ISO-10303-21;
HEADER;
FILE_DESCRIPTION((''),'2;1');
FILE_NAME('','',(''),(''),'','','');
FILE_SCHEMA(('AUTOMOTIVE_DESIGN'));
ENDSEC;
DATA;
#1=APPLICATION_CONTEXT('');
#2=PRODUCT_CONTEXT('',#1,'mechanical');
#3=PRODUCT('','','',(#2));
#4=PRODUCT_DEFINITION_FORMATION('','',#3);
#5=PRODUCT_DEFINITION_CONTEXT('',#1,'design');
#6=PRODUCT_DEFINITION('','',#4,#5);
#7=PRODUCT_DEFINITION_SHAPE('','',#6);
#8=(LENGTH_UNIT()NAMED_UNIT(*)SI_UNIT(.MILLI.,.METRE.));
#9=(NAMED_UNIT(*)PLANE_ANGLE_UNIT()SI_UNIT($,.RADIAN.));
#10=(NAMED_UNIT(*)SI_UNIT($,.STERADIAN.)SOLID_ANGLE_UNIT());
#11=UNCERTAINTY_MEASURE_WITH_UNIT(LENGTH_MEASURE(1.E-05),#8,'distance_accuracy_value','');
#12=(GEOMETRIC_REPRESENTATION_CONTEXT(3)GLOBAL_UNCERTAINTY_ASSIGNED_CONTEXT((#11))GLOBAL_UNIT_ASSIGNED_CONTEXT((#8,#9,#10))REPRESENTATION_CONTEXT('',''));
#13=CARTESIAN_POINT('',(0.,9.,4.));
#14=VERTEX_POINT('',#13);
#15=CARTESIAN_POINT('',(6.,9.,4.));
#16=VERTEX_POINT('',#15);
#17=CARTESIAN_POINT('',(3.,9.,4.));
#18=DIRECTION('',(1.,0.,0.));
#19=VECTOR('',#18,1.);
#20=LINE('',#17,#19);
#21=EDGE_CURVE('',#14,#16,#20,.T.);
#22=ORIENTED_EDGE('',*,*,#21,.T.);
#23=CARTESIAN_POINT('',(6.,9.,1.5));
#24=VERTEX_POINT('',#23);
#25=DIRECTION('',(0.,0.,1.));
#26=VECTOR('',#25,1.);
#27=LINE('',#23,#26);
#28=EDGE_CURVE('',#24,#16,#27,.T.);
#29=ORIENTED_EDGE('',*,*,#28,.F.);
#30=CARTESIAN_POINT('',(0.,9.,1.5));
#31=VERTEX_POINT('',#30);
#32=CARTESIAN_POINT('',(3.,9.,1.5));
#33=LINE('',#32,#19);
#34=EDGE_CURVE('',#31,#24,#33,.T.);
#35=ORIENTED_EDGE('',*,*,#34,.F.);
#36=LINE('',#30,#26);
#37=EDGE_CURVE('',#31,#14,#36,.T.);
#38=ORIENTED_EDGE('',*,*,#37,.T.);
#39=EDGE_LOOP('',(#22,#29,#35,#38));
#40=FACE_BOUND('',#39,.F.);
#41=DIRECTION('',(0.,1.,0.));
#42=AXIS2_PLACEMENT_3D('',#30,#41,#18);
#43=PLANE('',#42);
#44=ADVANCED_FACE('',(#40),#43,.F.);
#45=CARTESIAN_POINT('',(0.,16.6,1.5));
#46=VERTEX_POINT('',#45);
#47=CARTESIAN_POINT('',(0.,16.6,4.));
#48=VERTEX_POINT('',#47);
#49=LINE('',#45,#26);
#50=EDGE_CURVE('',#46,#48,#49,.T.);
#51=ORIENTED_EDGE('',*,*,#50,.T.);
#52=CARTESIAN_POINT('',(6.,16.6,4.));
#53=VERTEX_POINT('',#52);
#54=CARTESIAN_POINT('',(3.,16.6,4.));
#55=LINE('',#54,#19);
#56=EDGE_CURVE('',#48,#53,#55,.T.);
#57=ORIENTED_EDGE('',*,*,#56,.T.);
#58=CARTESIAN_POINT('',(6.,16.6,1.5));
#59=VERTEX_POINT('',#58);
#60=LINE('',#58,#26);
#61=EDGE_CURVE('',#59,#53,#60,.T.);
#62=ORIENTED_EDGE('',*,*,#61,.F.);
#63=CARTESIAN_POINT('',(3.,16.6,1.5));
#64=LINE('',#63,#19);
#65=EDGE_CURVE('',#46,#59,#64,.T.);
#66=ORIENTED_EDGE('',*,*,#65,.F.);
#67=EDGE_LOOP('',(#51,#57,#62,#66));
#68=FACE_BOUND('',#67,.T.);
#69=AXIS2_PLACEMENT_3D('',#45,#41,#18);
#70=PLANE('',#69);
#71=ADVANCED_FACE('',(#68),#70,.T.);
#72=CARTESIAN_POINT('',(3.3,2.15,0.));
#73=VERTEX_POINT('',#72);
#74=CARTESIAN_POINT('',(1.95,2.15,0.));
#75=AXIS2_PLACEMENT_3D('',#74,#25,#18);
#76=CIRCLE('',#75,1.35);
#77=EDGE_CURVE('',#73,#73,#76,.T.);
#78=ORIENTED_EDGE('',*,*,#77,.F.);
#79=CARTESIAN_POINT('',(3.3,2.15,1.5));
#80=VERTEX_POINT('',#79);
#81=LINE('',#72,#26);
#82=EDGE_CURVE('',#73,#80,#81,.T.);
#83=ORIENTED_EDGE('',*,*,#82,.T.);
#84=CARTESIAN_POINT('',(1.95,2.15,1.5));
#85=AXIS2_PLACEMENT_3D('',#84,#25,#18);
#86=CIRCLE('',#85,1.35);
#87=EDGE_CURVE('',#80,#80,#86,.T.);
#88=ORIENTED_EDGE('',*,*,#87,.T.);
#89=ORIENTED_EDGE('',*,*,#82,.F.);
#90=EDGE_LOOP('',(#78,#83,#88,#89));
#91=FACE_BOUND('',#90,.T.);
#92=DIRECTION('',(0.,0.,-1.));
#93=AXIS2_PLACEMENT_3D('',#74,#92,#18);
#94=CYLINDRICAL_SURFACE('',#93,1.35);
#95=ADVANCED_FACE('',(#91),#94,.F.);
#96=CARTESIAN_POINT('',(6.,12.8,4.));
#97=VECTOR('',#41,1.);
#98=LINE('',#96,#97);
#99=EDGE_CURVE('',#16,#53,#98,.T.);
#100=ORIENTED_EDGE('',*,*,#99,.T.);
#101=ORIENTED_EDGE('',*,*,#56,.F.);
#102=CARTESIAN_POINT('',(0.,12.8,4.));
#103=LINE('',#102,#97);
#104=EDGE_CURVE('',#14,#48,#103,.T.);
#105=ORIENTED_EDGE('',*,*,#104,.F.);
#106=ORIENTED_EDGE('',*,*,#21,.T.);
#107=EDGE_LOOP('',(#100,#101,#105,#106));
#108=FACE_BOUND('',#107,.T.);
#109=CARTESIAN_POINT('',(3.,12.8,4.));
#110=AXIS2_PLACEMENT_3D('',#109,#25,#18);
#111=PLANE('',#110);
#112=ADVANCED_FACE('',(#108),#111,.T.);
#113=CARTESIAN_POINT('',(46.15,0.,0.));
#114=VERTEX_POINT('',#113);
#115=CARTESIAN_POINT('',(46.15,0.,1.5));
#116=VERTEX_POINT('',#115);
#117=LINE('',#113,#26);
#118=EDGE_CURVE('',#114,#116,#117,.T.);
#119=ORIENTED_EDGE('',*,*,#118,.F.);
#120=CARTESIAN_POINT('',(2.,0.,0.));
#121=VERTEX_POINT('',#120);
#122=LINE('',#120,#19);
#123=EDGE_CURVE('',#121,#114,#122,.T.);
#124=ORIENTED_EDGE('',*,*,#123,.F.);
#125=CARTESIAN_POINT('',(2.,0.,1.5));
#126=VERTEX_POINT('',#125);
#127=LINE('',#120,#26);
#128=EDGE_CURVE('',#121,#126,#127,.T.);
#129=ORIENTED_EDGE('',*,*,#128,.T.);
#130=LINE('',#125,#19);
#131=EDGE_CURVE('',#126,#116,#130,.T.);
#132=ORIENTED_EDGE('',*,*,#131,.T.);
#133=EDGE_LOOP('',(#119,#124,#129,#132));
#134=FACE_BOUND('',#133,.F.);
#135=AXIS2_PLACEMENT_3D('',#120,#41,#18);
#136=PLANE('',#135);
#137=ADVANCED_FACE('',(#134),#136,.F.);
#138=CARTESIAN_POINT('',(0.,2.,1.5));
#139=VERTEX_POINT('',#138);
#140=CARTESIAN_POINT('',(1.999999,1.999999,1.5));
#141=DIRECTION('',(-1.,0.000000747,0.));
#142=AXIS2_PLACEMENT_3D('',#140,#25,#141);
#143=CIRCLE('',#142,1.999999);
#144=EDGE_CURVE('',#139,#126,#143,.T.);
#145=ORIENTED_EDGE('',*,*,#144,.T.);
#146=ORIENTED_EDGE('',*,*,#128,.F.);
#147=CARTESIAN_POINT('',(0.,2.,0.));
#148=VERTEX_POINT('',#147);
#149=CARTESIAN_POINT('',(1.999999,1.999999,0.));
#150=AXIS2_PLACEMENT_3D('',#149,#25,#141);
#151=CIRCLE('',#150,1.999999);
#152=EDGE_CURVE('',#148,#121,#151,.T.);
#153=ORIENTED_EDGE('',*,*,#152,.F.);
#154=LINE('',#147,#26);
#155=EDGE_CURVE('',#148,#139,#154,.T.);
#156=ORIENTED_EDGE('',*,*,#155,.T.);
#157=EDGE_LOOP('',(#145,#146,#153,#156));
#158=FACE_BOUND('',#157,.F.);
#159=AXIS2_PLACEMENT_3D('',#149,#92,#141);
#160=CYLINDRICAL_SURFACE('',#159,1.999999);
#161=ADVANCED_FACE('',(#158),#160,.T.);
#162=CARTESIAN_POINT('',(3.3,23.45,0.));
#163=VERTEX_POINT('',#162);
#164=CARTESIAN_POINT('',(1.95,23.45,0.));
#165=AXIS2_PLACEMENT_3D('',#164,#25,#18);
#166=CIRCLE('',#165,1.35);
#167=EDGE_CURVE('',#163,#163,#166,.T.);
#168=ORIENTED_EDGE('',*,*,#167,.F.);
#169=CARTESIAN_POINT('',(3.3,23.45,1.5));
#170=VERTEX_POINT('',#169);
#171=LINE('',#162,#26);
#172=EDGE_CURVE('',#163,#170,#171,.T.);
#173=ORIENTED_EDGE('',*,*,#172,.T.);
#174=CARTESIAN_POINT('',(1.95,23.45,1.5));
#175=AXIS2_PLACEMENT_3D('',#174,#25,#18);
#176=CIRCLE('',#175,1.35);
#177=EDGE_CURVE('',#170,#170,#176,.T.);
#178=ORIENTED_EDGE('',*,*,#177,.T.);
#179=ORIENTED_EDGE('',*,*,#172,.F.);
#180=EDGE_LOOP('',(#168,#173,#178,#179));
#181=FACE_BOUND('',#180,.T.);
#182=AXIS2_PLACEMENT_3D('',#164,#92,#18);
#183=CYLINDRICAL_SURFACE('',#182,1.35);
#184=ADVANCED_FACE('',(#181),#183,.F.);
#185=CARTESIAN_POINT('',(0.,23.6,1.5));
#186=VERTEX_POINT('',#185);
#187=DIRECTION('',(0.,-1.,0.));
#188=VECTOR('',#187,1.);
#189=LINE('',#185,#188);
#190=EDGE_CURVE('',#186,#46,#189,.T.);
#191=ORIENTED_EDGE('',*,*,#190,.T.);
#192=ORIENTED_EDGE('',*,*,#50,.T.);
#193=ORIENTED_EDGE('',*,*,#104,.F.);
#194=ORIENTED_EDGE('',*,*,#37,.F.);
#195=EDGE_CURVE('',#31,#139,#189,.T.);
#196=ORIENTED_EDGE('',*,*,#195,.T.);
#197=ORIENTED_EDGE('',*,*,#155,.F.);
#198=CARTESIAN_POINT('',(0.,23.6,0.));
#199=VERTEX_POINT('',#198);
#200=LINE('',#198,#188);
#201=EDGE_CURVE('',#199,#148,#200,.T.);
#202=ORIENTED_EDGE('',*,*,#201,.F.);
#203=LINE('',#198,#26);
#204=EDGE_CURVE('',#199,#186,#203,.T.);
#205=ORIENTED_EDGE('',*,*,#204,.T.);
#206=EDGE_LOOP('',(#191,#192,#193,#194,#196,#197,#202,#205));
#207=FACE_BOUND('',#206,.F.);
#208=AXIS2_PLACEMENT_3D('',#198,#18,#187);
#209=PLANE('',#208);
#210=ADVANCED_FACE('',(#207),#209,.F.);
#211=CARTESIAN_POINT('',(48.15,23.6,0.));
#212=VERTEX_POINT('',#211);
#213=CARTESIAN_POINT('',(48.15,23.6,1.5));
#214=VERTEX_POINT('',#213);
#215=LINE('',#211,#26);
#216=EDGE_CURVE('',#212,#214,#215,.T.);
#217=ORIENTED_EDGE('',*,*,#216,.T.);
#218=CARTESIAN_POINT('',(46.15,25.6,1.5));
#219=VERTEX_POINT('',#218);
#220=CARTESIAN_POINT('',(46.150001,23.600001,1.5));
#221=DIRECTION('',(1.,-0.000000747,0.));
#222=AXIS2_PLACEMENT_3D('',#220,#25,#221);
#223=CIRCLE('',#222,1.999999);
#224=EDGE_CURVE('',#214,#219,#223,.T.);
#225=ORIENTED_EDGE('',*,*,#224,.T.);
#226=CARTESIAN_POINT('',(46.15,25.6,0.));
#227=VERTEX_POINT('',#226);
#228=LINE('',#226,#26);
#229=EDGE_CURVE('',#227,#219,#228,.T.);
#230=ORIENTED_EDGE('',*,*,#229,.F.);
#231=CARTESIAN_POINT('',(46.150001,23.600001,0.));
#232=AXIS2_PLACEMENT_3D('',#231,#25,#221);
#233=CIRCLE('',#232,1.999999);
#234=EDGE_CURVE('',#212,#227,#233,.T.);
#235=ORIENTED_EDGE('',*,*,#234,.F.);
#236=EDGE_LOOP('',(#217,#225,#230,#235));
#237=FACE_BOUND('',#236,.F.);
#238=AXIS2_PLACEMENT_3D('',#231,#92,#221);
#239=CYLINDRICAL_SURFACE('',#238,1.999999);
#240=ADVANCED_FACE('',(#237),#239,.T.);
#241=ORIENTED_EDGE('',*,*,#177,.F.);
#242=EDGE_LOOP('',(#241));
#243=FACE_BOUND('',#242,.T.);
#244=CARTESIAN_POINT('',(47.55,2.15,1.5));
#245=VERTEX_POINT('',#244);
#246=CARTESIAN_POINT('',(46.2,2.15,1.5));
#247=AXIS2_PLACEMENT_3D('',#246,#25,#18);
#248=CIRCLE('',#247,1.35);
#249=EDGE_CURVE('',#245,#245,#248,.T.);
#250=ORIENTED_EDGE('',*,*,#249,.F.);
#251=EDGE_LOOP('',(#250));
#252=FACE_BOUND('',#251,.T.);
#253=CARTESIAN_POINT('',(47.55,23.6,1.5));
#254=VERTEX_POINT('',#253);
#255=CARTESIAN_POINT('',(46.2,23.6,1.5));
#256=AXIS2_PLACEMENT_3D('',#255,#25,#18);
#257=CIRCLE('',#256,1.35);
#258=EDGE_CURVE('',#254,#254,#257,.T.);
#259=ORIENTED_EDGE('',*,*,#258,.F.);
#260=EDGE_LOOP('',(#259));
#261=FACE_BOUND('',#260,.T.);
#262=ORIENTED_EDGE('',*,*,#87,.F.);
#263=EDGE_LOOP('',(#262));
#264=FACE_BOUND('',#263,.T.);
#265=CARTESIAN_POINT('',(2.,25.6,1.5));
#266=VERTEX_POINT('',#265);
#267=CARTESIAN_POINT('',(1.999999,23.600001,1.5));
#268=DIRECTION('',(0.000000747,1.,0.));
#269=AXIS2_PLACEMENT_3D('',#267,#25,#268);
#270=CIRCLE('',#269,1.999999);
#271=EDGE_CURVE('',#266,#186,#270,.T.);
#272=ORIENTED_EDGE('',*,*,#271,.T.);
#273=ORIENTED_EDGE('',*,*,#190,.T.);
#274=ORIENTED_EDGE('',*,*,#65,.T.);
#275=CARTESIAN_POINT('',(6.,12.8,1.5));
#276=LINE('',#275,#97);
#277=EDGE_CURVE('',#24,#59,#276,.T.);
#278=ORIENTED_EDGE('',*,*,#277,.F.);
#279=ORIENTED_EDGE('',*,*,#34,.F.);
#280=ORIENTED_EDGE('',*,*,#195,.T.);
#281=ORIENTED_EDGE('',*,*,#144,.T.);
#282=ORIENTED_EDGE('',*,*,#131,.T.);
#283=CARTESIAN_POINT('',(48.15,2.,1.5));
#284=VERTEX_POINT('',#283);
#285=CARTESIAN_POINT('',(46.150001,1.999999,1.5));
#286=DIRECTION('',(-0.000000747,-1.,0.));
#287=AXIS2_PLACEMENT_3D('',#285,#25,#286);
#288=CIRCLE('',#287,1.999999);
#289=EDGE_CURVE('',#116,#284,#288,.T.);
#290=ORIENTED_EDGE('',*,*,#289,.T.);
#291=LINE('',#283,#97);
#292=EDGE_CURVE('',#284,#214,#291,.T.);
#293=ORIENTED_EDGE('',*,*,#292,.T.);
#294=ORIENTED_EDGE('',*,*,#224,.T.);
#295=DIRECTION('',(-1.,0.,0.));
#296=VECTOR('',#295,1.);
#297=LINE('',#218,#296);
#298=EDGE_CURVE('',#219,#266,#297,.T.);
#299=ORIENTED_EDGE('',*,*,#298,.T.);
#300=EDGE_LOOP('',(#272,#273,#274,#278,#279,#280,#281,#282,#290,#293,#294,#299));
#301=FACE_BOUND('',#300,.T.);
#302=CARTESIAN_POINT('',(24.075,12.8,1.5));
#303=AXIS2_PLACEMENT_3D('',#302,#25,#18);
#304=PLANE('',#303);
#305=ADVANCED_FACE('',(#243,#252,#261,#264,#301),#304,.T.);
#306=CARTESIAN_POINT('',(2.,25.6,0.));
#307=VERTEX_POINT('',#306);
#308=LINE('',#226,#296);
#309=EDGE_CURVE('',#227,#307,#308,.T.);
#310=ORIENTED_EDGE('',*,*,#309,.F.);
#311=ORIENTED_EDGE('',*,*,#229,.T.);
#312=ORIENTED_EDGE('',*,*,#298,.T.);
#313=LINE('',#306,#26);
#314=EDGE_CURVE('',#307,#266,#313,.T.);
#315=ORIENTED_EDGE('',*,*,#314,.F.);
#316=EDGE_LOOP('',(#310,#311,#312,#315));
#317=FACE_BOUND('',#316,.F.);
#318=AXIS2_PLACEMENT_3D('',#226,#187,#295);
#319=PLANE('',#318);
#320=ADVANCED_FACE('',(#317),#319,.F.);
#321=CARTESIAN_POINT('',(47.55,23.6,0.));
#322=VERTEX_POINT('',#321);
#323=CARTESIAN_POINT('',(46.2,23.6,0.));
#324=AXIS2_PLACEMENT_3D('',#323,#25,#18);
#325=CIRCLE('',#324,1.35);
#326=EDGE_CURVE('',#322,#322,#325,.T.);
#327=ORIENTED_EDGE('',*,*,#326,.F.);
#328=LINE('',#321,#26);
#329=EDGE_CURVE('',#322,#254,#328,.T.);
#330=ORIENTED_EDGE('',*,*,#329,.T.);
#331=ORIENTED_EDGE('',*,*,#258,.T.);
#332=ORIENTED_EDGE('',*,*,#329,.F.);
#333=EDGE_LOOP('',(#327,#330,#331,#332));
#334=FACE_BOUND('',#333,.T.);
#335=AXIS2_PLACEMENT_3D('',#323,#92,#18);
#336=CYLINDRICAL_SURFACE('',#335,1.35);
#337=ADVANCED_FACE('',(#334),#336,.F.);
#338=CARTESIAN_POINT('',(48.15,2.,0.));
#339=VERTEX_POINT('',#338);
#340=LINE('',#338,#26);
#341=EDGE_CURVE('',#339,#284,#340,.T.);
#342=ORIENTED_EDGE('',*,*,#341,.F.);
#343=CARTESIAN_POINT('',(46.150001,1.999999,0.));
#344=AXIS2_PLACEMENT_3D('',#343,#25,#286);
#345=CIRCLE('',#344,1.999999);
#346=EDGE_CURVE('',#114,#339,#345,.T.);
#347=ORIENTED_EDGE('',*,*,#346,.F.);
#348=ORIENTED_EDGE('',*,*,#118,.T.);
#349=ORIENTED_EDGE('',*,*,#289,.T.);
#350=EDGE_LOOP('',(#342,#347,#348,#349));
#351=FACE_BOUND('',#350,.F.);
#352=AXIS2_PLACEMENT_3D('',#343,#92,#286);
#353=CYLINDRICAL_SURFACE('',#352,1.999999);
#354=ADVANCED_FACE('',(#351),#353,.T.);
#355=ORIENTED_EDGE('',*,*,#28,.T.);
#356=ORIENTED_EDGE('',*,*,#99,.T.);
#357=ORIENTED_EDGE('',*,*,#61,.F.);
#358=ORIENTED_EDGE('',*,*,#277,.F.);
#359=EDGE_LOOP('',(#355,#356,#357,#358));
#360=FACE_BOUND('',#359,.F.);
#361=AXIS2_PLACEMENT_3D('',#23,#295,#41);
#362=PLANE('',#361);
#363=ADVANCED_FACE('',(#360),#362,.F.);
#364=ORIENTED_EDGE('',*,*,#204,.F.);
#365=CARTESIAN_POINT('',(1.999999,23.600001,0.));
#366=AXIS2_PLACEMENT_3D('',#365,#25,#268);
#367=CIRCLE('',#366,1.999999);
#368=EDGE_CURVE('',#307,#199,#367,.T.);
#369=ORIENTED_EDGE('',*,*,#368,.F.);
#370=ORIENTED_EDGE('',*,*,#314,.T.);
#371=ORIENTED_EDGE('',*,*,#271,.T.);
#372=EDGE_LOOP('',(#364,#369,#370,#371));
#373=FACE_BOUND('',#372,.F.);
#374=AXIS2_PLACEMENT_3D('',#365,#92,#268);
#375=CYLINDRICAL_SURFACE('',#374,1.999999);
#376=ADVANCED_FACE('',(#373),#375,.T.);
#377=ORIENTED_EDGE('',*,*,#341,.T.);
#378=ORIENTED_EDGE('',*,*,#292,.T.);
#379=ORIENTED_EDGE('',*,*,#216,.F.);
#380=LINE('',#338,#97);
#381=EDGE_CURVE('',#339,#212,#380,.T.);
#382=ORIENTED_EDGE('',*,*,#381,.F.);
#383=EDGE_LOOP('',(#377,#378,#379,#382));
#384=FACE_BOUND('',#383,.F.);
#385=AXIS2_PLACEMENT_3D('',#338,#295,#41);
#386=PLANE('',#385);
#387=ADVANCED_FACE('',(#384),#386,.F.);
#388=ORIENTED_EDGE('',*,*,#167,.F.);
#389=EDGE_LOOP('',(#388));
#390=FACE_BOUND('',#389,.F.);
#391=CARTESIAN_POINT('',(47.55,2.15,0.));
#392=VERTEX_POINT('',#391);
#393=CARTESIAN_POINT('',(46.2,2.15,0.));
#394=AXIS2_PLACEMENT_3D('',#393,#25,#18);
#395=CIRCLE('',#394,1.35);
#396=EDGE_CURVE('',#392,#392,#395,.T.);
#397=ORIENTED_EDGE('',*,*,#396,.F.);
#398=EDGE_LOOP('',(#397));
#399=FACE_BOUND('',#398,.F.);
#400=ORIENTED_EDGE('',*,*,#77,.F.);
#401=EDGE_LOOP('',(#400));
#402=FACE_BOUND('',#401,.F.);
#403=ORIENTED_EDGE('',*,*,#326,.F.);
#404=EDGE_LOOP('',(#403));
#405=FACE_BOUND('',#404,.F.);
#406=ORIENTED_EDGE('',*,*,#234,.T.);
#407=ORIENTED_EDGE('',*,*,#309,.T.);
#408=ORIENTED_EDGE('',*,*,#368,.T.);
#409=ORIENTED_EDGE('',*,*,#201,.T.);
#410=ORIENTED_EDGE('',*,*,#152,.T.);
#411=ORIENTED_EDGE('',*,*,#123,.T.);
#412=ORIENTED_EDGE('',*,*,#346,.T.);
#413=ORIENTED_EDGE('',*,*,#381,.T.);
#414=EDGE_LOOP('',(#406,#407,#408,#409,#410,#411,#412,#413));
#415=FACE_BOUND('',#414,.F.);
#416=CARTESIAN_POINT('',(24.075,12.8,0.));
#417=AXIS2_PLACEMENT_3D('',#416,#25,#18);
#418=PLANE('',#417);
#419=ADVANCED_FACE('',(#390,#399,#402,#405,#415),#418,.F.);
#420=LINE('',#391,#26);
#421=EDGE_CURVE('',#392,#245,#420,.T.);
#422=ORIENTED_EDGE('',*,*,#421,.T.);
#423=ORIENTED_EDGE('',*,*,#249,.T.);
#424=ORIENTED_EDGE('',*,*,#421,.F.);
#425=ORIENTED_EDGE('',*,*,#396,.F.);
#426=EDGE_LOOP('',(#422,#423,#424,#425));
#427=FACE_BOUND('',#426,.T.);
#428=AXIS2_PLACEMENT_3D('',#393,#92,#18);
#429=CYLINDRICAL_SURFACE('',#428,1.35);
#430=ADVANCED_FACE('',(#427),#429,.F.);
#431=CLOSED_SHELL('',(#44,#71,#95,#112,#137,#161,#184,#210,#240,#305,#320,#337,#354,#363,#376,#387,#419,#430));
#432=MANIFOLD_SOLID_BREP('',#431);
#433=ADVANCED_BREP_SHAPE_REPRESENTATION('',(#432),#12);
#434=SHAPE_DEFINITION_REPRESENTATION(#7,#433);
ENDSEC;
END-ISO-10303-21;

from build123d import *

# Parameters (mm, degrees)
F0_R     = 1.35
F1_DEPTH = 1.5
F2_W     = 6
F2_H     = 7.6
F3_DEPTH = 2.5


with BuildPart() as f1:
    # F0 (on Top) → F1 (new body)
    with BuildSketch(Plane.XY):
        with BuildLine():
            ThreePointArc((0, 2), (0.585786, 0.585786), (2, 0))
            Line((2, 0), (46.15, 0))
            ThreePointArc((46.15, 0), (47.564214, 0.585786), (48.15, 2))
            Line((48.15, 2), (48.15, 23.6))
            ThreePointArc((48.15, 23.6), (47.564214, 25.014214), (46.15, 25.6))
            Line((46.15, 25.6), (2, 25.6))
            ThreePointArc((2, 25.6), (0.585786, 25.014214), (0, 23.6))
            Line((0, 23.6), (0, 2))
        make_face()
        with Locations((1.95, 2.15)):
            Circle(F0_R, mode=Mode.SUBTRACT)
        with Locations((46.2, 2.15)):
            Circle(F0_R, mode=Mode.SUBTRACT)
        with Locations((1.95, 23.45)):
            Circle(F0_R, mode=Mode.SUBTRACT)
        with Locations((46.2, 23.6)):
            Circle(F0_R, mode=Mode.SUBTRACT)
    extrude(amount=F1_DEPTH)

    # F2 (on face) → F3 (join)
    with BuildSketch(Plane.XY.offset(1.5)):
        with Locations((3, 12.8)):
            Rectangle(F2_W, F2_H)
    extrude(amount=F3_DEPTH)


solid = f1.part
